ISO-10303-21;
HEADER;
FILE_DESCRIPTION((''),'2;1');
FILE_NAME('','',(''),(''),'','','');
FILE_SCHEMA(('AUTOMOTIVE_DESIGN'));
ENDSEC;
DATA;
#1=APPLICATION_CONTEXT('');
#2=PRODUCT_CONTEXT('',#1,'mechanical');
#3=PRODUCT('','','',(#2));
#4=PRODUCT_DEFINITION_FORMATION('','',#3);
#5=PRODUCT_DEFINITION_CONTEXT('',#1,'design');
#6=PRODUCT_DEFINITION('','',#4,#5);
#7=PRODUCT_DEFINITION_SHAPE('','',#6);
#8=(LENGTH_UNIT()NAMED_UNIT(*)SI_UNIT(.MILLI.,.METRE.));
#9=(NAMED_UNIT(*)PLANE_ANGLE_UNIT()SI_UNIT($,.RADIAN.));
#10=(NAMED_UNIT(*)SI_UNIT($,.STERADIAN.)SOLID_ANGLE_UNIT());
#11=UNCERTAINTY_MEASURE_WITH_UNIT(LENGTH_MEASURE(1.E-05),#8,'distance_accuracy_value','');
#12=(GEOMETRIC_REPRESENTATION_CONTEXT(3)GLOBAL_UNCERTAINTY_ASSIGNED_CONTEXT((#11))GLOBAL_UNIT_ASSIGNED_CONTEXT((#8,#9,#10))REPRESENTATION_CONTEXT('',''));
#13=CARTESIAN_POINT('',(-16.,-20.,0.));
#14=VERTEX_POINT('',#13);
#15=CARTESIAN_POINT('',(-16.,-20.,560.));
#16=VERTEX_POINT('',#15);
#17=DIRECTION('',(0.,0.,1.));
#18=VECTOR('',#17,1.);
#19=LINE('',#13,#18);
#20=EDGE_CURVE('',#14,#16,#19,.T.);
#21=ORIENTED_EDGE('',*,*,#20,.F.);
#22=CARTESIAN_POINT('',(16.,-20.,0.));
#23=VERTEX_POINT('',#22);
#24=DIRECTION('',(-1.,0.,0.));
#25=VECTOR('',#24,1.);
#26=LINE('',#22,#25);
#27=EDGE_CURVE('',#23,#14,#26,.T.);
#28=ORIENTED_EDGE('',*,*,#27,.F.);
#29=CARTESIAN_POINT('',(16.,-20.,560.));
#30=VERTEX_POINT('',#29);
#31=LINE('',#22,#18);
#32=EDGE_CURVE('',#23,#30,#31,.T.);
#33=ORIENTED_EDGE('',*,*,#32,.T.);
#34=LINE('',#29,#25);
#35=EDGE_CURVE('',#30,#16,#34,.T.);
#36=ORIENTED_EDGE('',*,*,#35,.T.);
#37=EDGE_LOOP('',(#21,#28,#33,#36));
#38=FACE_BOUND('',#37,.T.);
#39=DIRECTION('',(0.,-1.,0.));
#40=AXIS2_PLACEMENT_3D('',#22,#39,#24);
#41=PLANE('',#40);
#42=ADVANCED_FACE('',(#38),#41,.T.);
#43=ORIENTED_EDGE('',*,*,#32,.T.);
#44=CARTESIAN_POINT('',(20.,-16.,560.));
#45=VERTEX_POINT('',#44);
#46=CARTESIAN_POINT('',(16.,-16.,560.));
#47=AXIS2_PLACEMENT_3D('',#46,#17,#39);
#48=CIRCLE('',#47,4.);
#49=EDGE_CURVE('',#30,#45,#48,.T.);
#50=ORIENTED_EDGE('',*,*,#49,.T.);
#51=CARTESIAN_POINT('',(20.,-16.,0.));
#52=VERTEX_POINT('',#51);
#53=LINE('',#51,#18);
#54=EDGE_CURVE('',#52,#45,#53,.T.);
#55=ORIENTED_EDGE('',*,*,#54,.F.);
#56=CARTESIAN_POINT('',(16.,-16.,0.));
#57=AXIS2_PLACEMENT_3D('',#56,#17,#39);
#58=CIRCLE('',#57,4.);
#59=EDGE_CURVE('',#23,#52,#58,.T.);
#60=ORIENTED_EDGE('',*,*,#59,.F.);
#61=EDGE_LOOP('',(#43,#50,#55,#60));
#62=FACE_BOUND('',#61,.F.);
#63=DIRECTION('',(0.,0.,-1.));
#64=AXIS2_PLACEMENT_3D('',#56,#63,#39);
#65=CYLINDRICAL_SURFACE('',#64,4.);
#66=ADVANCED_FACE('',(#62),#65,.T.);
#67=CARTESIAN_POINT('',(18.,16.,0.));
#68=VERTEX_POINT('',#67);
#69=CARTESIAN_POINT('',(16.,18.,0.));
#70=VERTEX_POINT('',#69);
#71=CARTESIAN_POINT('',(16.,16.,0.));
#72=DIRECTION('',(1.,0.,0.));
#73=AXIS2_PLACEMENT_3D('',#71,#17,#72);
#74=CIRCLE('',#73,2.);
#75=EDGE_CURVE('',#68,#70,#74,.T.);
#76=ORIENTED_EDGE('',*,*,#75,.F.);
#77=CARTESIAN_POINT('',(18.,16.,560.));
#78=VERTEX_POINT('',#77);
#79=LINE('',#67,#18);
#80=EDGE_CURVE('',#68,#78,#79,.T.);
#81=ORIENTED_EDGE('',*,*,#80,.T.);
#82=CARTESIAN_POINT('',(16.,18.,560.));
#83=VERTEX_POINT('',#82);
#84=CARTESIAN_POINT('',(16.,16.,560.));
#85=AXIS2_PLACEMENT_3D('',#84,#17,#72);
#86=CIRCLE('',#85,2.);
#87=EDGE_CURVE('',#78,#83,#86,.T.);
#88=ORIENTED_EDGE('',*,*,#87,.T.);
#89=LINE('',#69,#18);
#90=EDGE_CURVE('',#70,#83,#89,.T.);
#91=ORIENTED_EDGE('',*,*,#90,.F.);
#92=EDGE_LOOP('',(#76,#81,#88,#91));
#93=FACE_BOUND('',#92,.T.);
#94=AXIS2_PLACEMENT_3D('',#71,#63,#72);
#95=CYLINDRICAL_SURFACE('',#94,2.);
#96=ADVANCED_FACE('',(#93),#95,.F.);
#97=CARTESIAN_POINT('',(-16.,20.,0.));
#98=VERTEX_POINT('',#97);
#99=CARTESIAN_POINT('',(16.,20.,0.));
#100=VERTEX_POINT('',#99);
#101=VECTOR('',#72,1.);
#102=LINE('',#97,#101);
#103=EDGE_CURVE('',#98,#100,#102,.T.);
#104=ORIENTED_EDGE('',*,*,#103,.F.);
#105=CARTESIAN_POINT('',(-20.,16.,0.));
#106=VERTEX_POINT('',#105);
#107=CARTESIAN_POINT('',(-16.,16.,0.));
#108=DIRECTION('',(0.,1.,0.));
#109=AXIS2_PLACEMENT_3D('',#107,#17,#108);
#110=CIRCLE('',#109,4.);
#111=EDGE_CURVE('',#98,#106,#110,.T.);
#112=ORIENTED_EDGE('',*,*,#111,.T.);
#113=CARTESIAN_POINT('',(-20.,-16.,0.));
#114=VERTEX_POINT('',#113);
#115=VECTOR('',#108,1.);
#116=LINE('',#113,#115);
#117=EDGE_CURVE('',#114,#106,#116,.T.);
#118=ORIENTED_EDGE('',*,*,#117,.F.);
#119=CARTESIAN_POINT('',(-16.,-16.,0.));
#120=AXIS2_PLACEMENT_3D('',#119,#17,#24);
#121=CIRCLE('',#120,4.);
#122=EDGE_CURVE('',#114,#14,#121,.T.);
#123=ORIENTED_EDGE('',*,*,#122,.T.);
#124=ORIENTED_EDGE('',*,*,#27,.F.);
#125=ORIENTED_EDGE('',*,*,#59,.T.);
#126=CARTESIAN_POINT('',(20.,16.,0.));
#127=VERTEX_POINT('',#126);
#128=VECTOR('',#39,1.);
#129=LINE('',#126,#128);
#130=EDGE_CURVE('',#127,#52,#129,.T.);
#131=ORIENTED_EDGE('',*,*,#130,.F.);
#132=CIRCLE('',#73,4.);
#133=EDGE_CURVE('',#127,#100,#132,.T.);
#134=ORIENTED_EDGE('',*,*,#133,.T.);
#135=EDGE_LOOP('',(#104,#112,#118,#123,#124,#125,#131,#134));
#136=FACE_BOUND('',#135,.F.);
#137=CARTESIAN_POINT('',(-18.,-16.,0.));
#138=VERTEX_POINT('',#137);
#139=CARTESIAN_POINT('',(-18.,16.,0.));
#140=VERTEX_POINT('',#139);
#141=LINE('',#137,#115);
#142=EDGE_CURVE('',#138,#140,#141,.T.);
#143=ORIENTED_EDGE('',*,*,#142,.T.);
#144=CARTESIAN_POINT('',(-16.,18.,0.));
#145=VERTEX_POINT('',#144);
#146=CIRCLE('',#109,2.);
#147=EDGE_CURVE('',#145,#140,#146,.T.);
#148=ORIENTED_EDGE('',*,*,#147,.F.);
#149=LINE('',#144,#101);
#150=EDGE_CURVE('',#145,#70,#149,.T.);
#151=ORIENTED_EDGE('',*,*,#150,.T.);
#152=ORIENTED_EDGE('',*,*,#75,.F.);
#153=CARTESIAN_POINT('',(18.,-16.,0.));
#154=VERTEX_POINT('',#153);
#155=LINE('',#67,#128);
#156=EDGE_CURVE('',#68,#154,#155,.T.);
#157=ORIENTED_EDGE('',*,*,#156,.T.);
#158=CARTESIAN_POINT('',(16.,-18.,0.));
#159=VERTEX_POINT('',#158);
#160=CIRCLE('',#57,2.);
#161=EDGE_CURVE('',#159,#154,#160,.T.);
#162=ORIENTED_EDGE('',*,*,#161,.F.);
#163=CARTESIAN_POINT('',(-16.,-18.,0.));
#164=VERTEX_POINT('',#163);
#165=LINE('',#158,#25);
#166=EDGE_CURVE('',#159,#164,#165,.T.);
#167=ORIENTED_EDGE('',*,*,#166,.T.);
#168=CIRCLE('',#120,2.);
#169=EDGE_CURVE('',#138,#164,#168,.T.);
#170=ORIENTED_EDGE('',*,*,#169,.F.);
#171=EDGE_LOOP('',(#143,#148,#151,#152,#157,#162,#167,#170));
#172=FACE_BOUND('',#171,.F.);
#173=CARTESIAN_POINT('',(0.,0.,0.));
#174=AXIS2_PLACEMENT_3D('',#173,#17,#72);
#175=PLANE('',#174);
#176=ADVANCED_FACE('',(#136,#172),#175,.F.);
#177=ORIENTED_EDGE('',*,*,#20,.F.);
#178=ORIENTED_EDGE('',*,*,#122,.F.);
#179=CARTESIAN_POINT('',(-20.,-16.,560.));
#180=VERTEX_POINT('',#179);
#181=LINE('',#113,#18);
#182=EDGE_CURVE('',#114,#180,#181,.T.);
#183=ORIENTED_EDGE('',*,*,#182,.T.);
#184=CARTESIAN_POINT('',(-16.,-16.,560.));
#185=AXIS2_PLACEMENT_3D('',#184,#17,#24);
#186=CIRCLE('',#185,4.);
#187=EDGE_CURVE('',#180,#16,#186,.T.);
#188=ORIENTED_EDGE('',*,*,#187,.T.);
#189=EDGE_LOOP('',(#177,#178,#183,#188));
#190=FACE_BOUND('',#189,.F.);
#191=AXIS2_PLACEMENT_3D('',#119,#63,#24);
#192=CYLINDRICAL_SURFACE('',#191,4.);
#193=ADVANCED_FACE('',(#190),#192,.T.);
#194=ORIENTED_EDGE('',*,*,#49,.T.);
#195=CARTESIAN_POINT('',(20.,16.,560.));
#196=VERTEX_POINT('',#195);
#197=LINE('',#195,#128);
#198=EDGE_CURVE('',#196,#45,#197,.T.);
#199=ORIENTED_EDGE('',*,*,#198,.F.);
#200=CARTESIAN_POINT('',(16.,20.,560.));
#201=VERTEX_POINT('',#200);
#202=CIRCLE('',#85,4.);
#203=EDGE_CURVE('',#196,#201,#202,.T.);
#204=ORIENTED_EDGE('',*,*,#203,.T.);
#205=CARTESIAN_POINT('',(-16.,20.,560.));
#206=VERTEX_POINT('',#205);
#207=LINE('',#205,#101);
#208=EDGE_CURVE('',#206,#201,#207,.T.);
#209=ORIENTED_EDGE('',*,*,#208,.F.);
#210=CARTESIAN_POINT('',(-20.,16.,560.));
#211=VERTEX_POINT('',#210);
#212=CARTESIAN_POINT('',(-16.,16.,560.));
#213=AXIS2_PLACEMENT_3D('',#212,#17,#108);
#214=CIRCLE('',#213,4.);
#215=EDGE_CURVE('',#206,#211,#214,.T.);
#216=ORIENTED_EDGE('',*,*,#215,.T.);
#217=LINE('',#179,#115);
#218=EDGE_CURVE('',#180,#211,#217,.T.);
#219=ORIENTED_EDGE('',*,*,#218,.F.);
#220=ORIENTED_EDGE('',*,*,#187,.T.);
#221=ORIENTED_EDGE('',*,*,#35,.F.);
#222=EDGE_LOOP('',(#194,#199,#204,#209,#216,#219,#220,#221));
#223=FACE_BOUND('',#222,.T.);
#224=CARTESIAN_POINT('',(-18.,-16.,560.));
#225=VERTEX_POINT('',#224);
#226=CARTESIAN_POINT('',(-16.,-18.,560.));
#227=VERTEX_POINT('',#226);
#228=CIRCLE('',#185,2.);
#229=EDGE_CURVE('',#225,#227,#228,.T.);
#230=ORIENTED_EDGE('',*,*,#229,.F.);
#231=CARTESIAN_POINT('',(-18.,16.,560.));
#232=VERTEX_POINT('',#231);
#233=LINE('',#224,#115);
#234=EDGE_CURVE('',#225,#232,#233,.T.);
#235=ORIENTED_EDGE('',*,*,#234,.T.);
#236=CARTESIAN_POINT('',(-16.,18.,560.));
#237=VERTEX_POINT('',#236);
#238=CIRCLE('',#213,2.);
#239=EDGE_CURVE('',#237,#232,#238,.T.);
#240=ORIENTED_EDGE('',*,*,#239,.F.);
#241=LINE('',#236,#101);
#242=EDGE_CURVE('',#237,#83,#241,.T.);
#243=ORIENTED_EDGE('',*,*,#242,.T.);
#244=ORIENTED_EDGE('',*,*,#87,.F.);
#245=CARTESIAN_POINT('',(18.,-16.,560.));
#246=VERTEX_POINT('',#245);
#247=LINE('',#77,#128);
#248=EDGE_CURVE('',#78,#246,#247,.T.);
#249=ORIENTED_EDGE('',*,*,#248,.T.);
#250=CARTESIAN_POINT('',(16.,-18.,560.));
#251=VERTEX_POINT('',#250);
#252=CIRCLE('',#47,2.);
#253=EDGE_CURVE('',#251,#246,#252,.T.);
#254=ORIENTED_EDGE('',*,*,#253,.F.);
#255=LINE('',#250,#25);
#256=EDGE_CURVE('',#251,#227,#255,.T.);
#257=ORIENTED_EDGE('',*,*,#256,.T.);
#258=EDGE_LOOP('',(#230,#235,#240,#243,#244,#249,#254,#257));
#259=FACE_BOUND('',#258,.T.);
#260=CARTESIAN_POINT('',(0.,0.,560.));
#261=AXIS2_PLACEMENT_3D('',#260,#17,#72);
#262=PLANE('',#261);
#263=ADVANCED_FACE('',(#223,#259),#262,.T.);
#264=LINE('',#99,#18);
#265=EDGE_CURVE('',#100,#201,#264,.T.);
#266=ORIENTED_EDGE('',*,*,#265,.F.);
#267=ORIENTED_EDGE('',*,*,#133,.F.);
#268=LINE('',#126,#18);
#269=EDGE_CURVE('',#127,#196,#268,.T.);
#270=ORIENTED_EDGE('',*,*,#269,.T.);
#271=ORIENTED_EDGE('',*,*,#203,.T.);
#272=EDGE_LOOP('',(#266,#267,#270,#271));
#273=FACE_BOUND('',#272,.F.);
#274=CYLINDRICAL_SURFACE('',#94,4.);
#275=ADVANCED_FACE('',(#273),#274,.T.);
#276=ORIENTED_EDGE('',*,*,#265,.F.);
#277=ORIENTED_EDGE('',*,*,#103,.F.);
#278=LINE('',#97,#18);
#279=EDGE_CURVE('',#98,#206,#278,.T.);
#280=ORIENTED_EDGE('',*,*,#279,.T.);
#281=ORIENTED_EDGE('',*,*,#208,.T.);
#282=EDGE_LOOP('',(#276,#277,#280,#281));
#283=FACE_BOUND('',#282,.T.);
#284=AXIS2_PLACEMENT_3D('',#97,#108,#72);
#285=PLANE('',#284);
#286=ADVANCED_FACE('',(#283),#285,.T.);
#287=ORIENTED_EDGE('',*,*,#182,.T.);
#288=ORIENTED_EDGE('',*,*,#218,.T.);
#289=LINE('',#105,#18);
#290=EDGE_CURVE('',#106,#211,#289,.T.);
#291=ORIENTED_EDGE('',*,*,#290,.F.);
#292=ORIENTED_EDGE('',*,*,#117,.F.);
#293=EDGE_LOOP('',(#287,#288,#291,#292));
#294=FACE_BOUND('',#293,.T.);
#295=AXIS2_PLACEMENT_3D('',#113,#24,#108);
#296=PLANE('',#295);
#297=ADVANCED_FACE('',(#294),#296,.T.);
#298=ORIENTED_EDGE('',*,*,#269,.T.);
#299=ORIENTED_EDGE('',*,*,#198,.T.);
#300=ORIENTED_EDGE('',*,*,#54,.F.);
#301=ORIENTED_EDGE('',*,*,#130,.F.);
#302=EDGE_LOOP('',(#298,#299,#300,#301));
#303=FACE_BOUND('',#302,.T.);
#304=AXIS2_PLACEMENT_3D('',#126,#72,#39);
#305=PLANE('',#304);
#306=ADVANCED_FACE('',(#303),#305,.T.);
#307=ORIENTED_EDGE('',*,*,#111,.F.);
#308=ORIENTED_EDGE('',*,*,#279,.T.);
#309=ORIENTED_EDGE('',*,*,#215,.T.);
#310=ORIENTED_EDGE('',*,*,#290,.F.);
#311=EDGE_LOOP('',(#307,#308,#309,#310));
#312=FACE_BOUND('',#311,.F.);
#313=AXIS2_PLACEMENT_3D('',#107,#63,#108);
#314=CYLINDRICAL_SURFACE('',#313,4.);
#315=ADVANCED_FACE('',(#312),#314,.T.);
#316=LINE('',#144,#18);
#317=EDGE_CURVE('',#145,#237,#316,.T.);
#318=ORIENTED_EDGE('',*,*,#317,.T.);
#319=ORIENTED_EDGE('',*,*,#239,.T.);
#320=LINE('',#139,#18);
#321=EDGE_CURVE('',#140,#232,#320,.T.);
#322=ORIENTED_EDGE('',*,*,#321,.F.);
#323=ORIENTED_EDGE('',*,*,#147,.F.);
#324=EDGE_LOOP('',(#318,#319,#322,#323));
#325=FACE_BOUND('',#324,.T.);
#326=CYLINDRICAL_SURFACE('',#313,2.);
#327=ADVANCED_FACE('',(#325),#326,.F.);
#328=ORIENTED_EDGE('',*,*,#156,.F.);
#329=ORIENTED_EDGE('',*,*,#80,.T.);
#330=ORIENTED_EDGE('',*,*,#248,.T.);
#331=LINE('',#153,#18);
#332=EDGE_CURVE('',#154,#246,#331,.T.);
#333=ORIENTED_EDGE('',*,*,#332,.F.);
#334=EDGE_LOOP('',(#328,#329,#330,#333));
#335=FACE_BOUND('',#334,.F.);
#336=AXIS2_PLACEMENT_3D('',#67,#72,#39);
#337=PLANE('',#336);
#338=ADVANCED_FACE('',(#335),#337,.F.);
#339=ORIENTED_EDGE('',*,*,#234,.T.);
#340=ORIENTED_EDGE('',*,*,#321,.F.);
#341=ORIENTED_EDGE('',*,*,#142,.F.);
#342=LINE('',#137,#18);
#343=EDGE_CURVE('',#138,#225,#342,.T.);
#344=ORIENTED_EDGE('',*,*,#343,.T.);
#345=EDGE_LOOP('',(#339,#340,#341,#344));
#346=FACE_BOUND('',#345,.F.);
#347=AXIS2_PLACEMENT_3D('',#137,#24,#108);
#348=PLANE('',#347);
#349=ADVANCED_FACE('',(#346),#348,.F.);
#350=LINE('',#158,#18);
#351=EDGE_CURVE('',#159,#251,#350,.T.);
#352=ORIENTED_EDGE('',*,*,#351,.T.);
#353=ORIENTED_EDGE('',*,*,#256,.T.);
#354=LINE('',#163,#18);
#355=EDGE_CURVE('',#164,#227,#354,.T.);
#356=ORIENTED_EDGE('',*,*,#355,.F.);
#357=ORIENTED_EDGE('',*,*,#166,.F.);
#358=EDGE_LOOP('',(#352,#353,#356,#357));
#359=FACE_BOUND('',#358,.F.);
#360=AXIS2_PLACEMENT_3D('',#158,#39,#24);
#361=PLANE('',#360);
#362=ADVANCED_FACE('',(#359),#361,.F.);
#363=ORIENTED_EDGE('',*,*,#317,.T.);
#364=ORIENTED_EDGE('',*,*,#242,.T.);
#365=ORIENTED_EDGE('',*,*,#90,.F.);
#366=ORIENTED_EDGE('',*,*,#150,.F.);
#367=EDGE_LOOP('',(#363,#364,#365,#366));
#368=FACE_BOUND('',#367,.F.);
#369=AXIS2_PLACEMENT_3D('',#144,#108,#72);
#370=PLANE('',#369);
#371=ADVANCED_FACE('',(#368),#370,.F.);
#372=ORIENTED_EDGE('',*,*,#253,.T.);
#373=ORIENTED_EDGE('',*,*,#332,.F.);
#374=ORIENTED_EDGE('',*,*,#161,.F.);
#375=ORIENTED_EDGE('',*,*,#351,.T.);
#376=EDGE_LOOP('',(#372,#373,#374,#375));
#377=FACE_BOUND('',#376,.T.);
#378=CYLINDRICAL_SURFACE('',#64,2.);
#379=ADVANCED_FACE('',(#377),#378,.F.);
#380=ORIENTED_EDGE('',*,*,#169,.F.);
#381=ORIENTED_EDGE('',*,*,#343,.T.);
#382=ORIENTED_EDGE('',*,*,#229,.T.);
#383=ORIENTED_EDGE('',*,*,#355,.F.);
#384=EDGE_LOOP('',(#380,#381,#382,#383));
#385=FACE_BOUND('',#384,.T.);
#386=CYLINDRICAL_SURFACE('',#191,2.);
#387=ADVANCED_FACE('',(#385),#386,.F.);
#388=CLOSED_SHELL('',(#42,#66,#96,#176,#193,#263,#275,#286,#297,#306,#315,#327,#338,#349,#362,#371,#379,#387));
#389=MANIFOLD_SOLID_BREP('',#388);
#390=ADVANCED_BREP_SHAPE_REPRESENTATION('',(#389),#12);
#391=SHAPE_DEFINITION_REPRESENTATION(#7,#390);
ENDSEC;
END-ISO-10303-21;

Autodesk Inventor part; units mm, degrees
ref_plane "YZ Plane" through (0, 0, 0) normal (1, 0, 0) x (0, 1, 0)
ref_plane "Start Plane" through (0, 0, 0) normal (0, 0, 1) x (1, 0, 0)
ref_plane "End Plane" through (0, 0, 560) normal (0, 0, 1) x (1, 0, 0)
sketch "Sketch" plane through (0, 0, 0) normal (0, 0, 1) x (1, 0, 0)
  line L0 (-20, -16) -> (-20, 16)
  line L1 (-16, 20) -> (16, 20)
  line L2 (20, 16) -> (20, -16)
  line L3 (16, -20) -> (-16, -20)
  arc A0 (-20, -16) -> (-16, -20) centre (-16, -16) ccw
  arc A1 (20, 16) -> (16, 20) centre (16, 16) ccw
  arc A2 (-16, 20) -> (-20, 16) centre (-16, 16) ccw
  arc A3 (16, -20) -> (20, -16) centre (16, -16) ccw
  arc A4 (-16, 18) -> (-18, 16) centre (-16, 16) ccw
  line L4 (-16, 18) -> (16, 18)
  arc A5 (18, 16) -> (16, 18) centre (16, 16) ccw
  line L5 (18, 16) -> (18, -16)
  arc A6 (16, -18) -> (18, -16) centre (16, -16) ccw
  line L6 (16, -18) -> (-16, -18)
  arc A7 (-18, -16) -> (-16, -18) centre (-16, -16) ccw
  line L7 (-18, -16) -> (-18, 16)
  line L8 (0, 29.1598) -> (0, -29.1598) construction
  line L9 (-29.1598, 0) -> (29.1598, 0) construction
  dimension "d7" = 4
  dimension "d9" = 40
  dimension "d11" = 40
  dimension "d12" = 2
  dimension "d15" = 20
  dimension "d16" = 20
extrude "Body" add sketch "Sketch" along normal up to surface (560 mm away) from surface at 0
sketch "Sketch3" plane through (0, 0, 0) normal (0, 0, 1) x (1, 0, 0)
  line L0 (0, 0) -> (10, 0)
ref_plane "Work Plane3" through (0, 0, 0) normal (0, -1, 0) x (1, 0, 0)
sketch "Sketch4" plane through (0, 0, 0) normal (0, -1, 0) x (1, 0, 0)
  line L0 (-2, 0) -> (12, 0) projected
  line L1 (-2, 560) -> (12, 560) projected
  dimension "d18" = 560
equation "\"d7\" = G_IR"
equation "\"d9\" = G_W"
equation "\"d11\" = G_H"
equation "\"d12\" = G_T"
equation "\"d15\" = 0.5 * d9"
equation "\"d16\" = 0.5 * d11"
equation "\"d3\" = G_L"
equation "\"G_W\" = 40"
equation "\"G_H\" = 40"
equation "\"G_T\" = 2"
equation "\"G_IR\" = 4"
equation "\"G_L\" = d18"
equation "\"G_OFFSET_START\" = 0"
equation "\"G_OFFSET_END\" = 0"
properties part number "ISO 4019 - 40x40x2 - 560" material "Steel"
